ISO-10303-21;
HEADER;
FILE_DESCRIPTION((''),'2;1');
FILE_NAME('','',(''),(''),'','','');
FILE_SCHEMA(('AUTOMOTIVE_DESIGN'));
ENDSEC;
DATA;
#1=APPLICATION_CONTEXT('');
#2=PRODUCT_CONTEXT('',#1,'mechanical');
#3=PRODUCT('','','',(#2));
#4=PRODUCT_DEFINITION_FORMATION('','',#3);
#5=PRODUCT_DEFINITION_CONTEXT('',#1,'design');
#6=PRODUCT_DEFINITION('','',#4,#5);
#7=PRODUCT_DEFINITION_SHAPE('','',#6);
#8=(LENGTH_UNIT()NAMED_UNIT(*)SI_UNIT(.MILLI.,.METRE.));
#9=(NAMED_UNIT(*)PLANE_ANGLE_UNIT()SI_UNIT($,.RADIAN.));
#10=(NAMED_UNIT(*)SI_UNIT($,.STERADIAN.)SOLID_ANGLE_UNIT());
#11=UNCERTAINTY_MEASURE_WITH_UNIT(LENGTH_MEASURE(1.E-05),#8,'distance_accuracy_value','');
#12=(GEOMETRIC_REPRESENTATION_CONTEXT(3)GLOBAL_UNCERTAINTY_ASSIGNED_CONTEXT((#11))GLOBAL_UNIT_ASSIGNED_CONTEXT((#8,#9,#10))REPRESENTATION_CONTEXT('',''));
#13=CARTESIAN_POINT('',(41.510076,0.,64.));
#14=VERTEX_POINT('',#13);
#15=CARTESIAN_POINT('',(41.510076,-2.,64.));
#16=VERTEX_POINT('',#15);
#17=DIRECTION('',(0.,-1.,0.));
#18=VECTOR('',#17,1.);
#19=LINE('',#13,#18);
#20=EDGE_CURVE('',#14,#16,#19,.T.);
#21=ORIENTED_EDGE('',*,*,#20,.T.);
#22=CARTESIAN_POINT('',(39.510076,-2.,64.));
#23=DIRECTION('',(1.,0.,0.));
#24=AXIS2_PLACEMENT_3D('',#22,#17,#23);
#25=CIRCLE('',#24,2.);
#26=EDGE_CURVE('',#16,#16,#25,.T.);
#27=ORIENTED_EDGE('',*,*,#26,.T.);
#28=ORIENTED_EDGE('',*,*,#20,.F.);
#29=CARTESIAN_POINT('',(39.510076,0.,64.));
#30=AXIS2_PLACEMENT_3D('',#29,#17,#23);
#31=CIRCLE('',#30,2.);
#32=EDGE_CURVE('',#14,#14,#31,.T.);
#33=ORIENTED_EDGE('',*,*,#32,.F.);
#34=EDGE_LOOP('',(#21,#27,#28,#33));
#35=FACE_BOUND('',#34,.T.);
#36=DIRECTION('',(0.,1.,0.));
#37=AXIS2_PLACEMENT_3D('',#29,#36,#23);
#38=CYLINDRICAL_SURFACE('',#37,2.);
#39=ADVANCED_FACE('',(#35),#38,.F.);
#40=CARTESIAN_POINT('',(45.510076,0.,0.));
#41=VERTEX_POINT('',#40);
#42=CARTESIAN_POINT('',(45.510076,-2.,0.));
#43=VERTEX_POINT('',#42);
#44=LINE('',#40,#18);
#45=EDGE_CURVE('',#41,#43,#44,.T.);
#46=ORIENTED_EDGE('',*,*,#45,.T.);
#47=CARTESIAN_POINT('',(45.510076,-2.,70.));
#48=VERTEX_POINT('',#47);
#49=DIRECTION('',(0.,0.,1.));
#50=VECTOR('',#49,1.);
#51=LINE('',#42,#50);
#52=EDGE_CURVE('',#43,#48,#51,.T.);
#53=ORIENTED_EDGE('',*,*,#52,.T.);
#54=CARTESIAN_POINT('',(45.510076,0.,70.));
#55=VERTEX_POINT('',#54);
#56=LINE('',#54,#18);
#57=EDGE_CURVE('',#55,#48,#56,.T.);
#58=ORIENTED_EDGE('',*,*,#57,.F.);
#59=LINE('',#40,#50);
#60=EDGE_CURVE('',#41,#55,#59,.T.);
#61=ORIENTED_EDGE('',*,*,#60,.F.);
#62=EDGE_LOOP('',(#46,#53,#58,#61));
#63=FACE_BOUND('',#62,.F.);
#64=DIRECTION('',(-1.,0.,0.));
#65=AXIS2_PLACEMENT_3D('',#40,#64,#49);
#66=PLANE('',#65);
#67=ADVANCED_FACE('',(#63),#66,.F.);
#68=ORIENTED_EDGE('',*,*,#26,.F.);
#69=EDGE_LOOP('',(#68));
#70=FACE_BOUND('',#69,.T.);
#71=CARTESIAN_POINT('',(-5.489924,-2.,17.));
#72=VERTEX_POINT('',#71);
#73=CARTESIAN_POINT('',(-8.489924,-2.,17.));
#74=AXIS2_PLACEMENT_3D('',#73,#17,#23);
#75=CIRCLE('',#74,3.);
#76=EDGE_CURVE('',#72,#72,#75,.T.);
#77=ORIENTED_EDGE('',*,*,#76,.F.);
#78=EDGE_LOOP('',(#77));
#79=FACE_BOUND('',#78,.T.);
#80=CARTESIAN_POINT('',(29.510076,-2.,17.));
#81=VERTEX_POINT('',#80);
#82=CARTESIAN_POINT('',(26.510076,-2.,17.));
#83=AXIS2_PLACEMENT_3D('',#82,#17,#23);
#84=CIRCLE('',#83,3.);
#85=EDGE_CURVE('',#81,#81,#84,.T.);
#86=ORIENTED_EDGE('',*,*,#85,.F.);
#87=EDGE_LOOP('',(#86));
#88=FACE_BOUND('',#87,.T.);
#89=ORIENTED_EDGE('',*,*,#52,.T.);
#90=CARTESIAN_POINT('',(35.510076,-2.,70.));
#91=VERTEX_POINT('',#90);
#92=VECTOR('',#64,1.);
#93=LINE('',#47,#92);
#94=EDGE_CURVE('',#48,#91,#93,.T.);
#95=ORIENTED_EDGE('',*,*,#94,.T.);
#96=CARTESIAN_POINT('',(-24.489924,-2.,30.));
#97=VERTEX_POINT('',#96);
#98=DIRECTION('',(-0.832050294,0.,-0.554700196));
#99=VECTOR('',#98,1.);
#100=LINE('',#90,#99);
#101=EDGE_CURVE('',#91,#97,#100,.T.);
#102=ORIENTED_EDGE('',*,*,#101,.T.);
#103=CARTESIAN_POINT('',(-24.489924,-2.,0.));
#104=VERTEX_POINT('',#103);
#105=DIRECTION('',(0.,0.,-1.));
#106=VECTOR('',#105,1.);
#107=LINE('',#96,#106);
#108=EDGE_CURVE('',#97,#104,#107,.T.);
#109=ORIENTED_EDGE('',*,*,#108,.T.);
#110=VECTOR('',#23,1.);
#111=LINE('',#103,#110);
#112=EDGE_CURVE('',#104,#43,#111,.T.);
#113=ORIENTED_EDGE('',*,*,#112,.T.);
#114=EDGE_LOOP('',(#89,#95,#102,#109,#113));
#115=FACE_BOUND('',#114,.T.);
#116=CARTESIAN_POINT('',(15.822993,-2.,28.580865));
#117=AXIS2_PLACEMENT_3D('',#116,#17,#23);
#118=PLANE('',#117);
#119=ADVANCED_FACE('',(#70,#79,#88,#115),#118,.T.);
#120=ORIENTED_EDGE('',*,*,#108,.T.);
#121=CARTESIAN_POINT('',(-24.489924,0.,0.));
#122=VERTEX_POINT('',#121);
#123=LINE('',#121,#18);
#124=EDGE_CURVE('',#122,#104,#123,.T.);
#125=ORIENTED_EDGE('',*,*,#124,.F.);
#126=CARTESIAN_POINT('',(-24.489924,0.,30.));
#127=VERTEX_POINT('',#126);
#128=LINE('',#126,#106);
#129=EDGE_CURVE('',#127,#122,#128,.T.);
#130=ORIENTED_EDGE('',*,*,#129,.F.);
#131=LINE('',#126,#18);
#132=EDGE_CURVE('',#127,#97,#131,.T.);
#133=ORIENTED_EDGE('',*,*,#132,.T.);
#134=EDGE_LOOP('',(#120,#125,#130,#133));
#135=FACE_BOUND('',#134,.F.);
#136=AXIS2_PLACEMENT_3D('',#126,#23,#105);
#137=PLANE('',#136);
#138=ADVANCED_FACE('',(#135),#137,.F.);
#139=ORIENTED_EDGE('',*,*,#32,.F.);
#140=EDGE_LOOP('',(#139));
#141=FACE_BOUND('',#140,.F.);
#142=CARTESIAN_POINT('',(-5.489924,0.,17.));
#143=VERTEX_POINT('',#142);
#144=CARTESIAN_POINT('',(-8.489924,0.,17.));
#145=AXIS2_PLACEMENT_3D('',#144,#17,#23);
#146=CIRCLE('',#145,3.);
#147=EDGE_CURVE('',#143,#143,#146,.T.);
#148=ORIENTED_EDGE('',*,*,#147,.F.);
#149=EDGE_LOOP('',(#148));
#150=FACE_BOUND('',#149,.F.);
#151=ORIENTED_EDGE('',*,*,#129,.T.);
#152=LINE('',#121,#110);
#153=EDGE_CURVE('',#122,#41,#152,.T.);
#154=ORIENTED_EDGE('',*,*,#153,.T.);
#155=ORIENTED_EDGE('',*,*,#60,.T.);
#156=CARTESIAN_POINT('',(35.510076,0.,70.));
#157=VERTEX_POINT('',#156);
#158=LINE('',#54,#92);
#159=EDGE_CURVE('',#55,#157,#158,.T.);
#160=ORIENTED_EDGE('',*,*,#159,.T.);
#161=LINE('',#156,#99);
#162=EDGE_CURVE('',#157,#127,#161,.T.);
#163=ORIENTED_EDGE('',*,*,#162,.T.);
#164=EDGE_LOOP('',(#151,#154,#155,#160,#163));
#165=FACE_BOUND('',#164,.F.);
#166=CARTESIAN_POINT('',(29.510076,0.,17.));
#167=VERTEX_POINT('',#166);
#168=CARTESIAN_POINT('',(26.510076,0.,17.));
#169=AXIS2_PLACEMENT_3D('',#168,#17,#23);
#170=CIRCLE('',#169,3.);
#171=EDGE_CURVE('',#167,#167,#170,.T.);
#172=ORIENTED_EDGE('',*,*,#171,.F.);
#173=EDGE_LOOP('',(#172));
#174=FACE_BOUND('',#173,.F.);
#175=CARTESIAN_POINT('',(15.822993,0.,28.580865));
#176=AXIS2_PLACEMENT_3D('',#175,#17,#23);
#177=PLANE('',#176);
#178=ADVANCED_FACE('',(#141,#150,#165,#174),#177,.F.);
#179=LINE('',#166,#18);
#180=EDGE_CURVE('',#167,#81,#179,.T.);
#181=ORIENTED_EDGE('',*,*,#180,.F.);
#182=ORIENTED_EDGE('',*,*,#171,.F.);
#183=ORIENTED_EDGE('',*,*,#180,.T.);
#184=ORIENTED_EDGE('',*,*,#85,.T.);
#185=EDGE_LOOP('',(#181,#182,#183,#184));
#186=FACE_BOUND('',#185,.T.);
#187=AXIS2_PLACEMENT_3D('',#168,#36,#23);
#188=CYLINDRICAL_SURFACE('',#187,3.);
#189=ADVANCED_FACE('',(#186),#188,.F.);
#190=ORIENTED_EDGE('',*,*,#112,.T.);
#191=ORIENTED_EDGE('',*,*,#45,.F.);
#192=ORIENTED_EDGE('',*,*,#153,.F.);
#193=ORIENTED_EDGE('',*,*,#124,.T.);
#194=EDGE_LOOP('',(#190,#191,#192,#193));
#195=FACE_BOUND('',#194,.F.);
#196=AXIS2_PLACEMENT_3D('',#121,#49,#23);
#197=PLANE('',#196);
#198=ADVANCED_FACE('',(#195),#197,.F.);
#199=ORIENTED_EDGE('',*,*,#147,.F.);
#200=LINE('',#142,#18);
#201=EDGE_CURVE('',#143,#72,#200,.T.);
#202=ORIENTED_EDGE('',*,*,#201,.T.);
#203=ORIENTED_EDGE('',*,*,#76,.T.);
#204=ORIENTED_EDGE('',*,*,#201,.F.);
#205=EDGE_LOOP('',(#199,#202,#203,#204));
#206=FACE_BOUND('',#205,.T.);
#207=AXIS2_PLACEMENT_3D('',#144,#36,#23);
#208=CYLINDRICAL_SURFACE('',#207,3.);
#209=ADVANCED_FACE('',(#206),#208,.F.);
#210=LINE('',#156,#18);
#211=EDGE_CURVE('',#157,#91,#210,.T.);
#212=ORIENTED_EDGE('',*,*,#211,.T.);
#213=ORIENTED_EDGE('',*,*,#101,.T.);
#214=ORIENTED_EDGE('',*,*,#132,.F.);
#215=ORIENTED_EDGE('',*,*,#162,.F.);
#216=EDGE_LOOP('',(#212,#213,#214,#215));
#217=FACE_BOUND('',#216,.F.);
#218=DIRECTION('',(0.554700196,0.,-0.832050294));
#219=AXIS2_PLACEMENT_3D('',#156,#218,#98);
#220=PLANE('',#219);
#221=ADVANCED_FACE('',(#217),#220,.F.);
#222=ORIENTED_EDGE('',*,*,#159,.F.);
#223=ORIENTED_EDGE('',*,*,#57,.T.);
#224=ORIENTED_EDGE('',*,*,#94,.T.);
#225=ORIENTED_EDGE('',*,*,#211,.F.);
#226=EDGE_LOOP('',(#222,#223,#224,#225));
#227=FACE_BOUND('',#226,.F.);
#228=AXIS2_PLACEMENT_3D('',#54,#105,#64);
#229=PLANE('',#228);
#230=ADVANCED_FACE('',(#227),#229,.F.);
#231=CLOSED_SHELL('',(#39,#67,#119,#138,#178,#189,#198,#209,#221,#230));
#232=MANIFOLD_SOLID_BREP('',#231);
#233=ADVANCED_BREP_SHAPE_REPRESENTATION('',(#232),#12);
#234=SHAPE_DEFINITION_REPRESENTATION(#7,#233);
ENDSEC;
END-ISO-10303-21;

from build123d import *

# Parameters (mm, degrees)
F0_R     = 3
F0_R_2   = 2
F1_DEPTH = 2


with BuildPart() as f1:
    # F0 (on Front) → F1 (new body)
    with BuildSketch(Plane.XZ):
        Polygon((-24.489924, 30), (-24.489924, 0), (45.510076, 0), (45.510076, 70), (35.510076, 70), align=None)
        with Locations((-8.489924, 17)):
            Circle(F0_R, mode=Mode.SUBTRACT)
        with Locations((26.510076, 17)):
            Circle(F0_R, mode=Mode.SUBTRACT)
        with Locations((39.510076, 64)):
            Circle(F0_R_2, mode=Mode.SUBTRACT)
    extrude(amount=F1_DEPTH)


solid = f1.part
